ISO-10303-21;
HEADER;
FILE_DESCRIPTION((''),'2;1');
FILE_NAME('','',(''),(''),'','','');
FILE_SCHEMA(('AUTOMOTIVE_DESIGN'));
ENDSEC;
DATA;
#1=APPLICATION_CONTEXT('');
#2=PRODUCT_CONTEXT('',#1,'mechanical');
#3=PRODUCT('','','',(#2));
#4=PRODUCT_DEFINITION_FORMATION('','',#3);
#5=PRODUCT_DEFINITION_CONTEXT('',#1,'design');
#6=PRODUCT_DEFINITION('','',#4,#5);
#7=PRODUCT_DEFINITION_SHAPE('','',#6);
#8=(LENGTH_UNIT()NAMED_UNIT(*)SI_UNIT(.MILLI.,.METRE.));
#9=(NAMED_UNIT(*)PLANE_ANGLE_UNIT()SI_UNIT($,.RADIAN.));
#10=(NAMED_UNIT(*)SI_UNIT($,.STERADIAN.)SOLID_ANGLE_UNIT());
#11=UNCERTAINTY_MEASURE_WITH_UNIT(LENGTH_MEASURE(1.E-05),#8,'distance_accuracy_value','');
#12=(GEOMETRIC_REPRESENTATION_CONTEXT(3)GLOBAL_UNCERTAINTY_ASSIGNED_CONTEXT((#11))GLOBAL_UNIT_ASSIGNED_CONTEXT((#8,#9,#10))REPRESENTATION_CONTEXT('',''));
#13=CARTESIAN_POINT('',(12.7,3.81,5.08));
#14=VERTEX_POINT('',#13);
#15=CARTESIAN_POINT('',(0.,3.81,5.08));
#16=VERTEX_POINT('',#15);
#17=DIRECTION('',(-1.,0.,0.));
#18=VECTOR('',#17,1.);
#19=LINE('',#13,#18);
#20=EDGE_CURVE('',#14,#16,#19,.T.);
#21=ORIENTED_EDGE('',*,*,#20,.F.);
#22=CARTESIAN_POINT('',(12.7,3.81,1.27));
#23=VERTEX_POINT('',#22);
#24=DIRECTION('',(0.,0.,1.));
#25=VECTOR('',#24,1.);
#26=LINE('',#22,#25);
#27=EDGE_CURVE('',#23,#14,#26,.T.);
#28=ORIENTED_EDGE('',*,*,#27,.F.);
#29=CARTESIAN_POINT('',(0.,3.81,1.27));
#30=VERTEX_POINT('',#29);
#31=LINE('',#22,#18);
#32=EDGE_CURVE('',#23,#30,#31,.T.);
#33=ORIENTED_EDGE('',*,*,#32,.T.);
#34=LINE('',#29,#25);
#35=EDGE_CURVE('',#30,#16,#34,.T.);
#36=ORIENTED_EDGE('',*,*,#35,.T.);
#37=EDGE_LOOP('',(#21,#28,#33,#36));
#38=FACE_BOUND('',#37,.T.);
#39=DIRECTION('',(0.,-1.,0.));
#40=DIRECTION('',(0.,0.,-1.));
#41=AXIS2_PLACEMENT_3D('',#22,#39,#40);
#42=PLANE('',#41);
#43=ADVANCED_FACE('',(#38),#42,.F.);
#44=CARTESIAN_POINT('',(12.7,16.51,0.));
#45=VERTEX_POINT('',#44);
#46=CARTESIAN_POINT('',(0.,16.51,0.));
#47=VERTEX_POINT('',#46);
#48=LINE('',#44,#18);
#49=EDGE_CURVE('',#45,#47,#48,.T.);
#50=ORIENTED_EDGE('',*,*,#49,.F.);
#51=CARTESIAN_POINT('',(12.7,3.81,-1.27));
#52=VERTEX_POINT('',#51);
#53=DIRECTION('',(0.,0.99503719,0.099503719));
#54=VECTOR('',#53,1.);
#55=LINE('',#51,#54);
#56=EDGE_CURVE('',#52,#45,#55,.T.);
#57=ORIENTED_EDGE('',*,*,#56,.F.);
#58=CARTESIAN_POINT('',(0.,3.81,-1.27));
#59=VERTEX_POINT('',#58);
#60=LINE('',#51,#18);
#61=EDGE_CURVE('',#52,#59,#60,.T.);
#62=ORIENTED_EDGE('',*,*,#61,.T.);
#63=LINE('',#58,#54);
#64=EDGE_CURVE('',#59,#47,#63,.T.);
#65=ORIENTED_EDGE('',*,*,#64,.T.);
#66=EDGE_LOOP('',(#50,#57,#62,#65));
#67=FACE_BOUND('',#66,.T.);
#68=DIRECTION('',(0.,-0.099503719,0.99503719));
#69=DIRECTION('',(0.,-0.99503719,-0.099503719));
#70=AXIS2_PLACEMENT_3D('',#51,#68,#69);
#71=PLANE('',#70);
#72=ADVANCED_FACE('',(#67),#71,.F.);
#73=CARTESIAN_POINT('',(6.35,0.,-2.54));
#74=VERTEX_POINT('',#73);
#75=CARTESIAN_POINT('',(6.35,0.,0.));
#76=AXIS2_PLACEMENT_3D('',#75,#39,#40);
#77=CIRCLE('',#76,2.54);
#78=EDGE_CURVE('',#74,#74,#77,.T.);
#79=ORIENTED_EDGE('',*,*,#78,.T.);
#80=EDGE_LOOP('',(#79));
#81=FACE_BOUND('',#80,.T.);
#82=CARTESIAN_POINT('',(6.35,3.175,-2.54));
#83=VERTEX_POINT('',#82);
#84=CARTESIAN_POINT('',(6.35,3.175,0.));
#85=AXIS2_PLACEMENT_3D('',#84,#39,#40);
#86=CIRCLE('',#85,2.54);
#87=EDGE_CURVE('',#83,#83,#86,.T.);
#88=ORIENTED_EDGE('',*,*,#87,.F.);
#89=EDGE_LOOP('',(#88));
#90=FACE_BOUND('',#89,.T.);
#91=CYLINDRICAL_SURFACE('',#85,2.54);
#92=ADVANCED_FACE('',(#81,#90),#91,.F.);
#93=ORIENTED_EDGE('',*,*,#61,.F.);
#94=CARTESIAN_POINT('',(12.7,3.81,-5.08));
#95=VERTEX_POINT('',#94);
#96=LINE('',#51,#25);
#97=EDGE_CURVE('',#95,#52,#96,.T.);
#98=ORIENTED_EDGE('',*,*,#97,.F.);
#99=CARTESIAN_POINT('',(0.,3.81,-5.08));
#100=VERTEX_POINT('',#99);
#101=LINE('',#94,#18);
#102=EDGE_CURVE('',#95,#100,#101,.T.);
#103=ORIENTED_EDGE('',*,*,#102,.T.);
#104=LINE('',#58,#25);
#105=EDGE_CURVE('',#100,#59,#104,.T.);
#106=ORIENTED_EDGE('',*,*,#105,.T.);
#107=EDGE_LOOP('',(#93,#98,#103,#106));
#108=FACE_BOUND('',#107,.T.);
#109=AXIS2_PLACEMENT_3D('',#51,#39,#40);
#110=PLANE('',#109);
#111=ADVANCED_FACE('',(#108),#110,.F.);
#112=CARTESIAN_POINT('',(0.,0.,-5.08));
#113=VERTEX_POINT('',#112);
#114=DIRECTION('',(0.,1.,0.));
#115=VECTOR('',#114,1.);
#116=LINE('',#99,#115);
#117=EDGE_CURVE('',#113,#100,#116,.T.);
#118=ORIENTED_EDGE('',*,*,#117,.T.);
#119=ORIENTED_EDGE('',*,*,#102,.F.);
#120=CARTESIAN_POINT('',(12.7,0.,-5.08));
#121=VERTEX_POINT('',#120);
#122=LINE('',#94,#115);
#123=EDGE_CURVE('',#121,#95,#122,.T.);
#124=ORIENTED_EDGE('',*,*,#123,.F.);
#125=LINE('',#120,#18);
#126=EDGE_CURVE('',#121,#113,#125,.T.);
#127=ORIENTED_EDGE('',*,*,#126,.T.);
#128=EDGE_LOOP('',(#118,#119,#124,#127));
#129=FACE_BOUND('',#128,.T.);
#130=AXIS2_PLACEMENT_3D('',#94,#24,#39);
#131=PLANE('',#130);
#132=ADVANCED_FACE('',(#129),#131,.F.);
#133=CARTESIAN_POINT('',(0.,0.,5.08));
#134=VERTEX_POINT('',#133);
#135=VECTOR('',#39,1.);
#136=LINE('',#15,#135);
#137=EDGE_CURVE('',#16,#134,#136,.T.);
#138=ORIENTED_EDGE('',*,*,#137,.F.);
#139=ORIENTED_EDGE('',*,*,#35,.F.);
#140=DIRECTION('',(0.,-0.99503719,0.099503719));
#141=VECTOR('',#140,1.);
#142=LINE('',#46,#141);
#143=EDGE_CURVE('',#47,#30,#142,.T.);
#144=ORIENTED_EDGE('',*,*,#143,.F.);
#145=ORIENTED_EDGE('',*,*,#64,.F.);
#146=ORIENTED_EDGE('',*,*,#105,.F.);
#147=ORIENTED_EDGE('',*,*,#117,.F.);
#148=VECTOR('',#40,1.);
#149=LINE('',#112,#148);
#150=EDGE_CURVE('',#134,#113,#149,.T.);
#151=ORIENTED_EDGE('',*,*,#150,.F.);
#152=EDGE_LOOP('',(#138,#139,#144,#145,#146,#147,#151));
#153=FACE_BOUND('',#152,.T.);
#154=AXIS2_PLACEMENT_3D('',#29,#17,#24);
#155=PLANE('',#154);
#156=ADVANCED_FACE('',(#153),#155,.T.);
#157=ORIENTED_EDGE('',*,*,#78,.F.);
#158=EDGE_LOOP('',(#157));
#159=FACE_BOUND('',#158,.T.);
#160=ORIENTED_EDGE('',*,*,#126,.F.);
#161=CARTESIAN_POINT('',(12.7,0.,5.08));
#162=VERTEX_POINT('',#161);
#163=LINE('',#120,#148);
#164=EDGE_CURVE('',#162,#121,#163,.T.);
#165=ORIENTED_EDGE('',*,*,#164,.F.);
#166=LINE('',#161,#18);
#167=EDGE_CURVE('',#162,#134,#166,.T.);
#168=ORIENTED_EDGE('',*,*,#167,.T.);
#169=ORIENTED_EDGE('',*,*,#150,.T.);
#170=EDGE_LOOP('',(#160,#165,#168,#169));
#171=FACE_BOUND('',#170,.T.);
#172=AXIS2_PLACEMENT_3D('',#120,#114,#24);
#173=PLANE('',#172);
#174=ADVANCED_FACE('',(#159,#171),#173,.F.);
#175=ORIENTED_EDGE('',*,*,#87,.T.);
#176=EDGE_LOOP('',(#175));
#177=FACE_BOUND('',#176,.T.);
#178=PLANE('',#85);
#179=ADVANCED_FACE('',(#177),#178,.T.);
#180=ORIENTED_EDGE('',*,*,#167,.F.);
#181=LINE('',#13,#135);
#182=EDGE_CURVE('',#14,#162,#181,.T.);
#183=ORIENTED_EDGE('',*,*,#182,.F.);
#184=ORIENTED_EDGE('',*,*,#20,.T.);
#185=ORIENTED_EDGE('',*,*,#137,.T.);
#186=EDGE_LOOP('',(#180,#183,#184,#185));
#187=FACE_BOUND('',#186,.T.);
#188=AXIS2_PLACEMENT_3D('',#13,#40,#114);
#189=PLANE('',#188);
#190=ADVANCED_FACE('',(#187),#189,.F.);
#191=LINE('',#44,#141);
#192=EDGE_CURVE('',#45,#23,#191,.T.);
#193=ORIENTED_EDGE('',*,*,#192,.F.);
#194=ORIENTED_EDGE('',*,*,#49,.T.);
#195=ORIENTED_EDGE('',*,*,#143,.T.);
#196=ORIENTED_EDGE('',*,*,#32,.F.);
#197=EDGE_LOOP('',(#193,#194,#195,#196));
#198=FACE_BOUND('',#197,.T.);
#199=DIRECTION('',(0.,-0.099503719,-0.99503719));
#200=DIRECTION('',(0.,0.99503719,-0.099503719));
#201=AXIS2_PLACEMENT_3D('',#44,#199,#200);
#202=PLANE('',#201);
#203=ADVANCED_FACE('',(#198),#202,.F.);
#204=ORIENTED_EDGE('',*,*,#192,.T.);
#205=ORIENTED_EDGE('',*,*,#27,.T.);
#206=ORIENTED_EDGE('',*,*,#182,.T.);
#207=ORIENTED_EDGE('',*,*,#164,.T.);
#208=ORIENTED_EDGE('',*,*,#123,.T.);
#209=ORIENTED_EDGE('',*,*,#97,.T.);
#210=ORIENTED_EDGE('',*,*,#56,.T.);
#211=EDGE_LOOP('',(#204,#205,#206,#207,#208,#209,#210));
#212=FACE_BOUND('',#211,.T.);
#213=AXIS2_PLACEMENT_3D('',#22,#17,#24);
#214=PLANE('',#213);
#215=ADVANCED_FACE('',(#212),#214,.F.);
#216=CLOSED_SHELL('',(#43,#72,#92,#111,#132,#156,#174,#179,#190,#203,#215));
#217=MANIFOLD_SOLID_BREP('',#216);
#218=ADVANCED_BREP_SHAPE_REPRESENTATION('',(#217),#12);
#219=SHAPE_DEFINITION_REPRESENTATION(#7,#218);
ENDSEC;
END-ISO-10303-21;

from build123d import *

# Parameters (mm, degrees)
BOSS_EXTRUDE1_DEPTH = 12.7
SKETCH2_R           = 2.54
CUT_EXTRUDE1_DEPTH  = 3.175


with BuildPart() as part:
    # Sketch1 → Boss-Extrude1 (new body)
    with BuildSketch(Plane(origin=(0, 0, 0), x_dir=(0, 0, -1), z_dir=(1, 0, 0))):
        Polygon((1.27, 3.81), (0, 16.51), (-1.27, 3.81), (-5.08, 3.81), (-5.08, 0), (5.08, 0), (5.08, 3.81), align=None)
    extrude(amount=BOSS_EXTRUDE1_DEPTH)

    # Sketch2 → Cut-Extrude1 (cut)
    with BuildSketch(Plane.XZ):
        with Locations((6.35, 0)):
            Circle(SKETCH2_R)
    extrude(amount=-CUT_EXTRUDE1_DEPTH, mode=Mode.SUBTRACT)


solid = part.part
